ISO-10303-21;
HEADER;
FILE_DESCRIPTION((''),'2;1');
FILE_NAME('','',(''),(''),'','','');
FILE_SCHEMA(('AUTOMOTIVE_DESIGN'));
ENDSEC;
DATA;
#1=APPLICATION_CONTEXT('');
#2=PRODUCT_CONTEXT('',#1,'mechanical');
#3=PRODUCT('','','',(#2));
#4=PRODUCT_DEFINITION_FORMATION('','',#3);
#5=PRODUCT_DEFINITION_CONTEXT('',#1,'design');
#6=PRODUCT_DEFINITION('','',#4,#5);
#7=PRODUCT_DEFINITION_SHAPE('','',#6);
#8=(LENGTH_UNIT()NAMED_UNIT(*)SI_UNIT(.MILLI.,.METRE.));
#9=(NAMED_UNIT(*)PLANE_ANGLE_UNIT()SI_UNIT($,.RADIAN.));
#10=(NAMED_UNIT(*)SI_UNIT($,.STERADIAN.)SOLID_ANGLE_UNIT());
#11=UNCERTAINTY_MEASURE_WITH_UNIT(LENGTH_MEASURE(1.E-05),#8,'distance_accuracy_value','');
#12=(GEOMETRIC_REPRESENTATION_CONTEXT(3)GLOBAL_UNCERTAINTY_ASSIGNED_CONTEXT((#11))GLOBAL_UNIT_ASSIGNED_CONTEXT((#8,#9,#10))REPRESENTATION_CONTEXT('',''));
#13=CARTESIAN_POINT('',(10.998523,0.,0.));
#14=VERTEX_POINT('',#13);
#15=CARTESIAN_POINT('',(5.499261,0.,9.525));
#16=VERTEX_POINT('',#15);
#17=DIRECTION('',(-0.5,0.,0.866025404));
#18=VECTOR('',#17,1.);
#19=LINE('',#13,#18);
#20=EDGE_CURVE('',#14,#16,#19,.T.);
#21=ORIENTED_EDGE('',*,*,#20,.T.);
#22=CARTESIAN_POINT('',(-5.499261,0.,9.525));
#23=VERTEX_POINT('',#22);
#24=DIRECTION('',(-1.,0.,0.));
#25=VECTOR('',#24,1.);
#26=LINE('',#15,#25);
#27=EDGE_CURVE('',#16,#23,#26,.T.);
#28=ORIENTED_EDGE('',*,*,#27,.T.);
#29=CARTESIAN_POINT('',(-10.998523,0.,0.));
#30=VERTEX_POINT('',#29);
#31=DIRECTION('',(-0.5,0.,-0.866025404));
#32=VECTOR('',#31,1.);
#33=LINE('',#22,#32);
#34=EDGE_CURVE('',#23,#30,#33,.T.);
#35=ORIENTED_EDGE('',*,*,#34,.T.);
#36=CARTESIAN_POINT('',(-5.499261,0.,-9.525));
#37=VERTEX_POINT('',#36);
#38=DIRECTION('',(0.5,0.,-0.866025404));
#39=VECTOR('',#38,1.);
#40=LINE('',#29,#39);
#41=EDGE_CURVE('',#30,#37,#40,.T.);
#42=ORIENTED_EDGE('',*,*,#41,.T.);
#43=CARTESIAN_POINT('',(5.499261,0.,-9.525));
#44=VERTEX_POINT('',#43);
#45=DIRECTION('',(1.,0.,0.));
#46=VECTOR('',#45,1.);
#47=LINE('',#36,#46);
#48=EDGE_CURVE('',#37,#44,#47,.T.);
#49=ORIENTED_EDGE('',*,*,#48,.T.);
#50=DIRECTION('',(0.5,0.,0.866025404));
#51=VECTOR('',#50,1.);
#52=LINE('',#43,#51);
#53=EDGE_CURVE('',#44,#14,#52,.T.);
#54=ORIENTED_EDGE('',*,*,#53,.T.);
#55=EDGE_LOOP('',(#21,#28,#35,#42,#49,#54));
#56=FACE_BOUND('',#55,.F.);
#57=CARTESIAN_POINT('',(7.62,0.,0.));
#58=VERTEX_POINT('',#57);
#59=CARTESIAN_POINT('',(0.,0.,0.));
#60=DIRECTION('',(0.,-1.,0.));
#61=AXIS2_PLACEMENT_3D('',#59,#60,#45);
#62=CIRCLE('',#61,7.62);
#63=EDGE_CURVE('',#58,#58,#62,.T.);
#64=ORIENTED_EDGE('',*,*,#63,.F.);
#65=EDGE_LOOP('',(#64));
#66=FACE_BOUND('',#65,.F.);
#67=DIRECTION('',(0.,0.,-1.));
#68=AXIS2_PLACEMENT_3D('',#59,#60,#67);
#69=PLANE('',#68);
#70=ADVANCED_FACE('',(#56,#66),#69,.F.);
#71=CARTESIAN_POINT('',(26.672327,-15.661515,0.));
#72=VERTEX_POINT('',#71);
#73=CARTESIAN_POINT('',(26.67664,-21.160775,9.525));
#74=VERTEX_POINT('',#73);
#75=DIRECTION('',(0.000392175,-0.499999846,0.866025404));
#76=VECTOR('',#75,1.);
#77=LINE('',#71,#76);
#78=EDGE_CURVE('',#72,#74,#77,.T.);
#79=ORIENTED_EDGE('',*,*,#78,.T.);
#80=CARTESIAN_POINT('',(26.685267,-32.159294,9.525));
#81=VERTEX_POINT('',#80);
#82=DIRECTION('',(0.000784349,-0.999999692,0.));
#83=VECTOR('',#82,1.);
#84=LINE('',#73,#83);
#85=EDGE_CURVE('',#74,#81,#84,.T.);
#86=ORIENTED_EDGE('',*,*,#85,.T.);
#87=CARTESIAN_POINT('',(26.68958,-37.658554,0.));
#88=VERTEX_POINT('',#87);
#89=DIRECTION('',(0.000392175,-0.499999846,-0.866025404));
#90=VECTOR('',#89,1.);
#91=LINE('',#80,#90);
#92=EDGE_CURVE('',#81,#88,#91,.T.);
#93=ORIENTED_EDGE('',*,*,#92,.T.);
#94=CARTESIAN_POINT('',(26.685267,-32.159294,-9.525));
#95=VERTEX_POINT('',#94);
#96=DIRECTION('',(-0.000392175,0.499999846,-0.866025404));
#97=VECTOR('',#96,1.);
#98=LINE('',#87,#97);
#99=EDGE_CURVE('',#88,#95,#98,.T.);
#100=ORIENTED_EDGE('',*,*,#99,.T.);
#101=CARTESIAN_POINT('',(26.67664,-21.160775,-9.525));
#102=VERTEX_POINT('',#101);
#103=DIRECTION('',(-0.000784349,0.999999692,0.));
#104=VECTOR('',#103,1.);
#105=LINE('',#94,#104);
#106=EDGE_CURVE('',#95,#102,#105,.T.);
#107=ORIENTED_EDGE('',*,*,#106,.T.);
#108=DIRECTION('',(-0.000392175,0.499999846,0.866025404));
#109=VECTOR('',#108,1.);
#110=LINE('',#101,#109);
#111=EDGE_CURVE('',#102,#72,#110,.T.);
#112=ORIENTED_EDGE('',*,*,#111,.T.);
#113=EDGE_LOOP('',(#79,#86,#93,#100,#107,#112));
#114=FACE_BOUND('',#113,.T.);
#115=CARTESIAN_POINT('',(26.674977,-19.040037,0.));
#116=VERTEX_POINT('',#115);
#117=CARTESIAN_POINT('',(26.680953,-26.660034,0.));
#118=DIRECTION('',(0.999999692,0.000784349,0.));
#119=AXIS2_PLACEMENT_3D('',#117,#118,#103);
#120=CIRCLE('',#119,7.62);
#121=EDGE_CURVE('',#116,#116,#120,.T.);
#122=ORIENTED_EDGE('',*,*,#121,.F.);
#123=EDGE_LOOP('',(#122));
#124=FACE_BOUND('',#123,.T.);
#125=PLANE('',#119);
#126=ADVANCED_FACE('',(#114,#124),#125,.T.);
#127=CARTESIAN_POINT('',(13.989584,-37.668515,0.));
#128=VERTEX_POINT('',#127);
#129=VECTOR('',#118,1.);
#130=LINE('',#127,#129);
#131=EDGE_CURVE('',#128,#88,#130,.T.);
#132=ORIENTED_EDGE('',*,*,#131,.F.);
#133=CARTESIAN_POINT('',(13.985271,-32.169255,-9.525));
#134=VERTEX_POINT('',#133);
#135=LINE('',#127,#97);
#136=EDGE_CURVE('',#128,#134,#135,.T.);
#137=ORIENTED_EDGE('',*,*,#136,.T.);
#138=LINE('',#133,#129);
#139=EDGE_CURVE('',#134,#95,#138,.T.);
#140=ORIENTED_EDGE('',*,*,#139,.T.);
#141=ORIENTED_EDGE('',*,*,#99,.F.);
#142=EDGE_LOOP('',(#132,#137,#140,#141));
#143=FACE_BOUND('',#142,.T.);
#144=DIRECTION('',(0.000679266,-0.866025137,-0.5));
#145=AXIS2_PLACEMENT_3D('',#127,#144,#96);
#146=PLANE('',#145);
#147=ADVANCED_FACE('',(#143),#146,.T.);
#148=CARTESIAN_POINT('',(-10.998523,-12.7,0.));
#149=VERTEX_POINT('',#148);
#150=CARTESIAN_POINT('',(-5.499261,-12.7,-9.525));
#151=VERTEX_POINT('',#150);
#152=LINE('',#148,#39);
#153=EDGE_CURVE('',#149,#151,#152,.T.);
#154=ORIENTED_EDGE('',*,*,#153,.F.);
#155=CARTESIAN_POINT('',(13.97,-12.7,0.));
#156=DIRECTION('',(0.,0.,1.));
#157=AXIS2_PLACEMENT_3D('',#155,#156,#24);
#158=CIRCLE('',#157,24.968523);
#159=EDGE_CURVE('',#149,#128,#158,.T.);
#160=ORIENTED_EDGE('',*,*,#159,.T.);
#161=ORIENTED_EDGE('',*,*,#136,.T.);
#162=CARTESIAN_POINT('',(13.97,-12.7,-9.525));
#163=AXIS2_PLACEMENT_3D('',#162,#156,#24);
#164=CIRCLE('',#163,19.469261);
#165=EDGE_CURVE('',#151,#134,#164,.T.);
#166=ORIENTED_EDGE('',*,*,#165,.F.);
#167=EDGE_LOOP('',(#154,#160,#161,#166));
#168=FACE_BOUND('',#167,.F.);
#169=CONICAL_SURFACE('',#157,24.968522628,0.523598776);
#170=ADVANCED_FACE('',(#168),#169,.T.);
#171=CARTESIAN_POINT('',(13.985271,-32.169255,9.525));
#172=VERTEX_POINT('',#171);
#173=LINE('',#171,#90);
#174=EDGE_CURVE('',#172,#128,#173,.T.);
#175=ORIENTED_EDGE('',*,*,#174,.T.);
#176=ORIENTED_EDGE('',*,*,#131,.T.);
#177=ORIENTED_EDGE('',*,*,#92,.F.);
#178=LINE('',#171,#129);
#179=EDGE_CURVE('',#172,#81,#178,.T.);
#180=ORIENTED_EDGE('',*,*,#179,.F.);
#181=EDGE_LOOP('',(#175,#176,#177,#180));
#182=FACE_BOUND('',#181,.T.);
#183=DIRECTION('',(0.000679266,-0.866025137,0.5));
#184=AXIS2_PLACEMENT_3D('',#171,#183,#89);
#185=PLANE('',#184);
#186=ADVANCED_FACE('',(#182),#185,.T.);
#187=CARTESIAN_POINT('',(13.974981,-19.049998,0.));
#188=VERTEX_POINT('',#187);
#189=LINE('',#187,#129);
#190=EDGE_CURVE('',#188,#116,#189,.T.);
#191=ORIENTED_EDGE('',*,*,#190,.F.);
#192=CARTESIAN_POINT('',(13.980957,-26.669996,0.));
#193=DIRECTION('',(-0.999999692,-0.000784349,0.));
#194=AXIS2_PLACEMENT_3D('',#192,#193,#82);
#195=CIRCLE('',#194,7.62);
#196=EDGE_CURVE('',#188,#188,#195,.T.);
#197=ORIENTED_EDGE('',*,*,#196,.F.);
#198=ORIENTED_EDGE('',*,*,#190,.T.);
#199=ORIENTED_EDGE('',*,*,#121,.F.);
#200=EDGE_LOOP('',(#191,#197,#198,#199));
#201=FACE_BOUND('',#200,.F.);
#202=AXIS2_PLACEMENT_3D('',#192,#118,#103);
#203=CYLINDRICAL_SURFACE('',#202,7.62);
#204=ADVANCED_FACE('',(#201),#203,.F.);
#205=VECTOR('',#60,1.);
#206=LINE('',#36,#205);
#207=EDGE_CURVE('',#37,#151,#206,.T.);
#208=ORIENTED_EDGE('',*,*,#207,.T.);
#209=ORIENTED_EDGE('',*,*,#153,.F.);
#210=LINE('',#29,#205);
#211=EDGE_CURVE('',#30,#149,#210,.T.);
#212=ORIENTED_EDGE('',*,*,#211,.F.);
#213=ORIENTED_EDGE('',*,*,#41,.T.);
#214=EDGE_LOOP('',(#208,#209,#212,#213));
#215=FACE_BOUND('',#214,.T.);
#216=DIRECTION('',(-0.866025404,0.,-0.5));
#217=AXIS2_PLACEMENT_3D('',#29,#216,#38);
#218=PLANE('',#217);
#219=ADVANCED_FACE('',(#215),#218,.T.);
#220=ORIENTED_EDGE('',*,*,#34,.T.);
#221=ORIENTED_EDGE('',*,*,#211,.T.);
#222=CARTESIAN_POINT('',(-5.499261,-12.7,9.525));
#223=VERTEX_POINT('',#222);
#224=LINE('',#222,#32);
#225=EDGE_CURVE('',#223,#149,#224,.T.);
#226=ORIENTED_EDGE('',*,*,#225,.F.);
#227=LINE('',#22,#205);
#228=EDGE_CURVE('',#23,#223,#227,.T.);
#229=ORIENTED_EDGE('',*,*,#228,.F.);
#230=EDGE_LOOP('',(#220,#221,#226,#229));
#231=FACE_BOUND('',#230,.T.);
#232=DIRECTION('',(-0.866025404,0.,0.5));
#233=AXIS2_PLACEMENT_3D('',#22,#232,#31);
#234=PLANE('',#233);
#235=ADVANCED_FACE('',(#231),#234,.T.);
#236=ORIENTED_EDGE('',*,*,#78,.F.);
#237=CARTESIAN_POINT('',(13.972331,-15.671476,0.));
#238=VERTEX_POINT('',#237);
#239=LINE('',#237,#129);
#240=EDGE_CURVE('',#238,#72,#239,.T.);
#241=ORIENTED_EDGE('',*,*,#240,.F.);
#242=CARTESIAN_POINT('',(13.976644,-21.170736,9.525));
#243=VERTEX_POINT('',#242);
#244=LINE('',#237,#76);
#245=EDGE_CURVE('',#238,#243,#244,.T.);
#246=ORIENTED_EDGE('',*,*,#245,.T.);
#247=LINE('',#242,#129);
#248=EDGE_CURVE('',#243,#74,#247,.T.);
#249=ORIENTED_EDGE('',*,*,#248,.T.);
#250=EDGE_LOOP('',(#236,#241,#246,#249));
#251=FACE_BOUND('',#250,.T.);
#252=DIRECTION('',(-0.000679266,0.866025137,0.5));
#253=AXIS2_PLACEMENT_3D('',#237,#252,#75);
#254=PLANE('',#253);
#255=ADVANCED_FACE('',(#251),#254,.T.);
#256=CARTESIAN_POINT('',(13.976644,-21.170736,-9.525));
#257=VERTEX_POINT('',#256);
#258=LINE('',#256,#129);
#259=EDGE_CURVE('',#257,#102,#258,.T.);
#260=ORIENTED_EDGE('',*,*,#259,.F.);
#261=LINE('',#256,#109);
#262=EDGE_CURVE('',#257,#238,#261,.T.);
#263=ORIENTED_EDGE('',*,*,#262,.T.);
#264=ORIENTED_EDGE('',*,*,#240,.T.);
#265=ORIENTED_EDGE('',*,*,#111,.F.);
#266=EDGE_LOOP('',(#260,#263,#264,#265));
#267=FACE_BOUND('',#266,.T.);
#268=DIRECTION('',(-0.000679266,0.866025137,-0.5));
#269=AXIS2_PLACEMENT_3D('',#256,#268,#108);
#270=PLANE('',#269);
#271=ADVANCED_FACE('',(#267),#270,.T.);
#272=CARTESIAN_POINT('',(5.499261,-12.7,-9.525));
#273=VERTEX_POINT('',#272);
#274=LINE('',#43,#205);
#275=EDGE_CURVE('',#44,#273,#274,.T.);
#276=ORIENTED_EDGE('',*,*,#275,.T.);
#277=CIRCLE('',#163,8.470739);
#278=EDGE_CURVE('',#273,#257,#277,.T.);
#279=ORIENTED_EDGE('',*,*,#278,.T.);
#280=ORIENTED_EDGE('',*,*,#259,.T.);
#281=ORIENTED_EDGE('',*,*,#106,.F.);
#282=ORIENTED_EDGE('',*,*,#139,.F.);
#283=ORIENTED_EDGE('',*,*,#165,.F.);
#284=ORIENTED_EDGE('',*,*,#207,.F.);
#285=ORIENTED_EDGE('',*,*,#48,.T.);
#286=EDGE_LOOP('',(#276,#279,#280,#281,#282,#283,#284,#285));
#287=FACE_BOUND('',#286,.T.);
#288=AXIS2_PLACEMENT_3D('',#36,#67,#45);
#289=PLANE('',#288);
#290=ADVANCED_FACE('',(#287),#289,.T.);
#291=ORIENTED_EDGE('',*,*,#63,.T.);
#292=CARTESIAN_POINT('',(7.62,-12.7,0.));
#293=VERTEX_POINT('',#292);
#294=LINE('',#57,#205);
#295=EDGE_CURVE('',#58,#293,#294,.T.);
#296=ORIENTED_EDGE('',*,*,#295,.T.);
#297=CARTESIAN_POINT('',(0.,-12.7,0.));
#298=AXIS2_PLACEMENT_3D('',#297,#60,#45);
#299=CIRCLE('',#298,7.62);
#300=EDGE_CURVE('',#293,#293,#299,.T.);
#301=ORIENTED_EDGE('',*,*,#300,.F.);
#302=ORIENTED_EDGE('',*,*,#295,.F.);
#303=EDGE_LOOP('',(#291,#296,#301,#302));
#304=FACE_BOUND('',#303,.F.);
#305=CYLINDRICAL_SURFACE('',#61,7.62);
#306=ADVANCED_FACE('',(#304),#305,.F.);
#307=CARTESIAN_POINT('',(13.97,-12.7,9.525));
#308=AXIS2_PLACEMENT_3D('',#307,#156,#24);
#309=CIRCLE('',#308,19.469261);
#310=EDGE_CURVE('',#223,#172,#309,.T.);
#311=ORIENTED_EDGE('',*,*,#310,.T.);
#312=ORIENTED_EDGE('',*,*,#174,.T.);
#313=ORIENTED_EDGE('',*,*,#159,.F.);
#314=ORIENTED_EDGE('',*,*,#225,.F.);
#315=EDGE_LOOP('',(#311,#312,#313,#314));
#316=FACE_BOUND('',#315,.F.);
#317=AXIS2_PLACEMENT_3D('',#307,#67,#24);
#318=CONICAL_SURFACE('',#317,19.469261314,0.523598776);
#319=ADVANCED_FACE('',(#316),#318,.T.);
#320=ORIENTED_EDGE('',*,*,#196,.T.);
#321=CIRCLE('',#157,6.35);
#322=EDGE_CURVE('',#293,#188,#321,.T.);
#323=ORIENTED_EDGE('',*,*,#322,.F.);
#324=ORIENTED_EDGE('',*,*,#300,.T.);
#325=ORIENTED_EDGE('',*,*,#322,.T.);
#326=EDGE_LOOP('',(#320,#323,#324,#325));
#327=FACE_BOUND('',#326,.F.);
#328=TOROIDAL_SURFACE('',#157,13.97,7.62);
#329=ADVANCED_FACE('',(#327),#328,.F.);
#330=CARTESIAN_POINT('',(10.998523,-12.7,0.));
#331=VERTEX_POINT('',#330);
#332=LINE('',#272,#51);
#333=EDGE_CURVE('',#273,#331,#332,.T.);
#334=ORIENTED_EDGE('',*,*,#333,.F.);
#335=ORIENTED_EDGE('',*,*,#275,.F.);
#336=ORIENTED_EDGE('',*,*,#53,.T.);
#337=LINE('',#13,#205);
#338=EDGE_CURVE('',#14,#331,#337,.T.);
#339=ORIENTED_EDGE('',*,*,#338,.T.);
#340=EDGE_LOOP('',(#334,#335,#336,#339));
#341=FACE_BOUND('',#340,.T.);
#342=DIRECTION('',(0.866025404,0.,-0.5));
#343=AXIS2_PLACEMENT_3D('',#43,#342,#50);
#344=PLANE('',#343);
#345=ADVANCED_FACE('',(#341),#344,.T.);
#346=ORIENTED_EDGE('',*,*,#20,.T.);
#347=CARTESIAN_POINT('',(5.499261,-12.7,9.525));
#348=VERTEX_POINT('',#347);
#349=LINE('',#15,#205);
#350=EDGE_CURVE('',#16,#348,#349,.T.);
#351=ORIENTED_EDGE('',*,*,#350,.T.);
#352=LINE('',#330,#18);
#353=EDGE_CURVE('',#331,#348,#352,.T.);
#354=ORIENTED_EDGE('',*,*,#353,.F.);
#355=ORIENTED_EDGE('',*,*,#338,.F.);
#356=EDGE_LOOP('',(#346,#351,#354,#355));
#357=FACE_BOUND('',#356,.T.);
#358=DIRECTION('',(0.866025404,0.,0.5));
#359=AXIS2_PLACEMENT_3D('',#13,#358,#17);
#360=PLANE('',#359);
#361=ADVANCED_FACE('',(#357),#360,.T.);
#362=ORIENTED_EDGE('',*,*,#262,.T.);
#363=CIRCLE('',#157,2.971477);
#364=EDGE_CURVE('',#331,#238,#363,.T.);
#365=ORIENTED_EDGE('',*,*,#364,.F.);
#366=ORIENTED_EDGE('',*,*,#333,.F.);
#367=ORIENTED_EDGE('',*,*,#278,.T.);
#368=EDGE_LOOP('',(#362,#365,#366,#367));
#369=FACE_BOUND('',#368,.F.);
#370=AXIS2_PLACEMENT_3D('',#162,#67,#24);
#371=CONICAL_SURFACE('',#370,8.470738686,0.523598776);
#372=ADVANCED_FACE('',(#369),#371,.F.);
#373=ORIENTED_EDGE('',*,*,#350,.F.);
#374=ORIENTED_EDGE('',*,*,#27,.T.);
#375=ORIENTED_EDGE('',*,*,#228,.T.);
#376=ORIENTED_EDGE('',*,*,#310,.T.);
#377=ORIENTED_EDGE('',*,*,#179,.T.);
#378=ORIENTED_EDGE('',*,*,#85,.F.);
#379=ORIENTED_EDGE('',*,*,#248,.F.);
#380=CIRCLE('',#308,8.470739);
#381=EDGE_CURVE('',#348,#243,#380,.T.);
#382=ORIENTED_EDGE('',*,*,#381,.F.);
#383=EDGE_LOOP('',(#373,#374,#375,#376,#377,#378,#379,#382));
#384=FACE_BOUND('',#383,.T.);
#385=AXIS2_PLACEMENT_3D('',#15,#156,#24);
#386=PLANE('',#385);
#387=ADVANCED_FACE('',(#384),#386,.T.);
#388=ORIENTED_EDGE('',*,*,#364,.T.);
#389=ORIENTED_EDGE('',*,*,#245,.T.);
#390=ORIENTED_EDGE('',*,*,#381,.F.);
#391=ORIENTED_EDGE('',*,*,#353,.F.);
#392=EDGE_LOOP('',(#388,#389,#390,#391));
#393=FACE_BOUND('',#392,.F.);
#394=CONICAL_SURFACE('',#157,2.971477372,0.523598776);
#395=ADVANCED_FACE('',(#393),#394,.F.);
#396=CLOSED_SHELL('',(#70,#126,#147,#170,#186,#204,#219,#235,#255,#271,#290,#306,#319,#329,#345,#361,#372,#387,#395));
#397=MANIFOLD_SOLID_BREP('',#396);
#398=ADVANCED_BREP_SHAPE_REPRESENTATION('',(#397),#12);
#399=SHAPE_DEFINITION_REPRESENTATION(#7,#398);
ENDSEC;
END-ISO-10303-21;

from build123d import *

# Parameters (mm, degrees)
F0_R = 7.62


with BuildPart() as f2:
    # F2: sweep along a path in F1
    with BuildLine(Plane.XY) as f2_path:
        Line((0, 0), (0, -12.7))
        ThreePointArc((0, -12.7), (4.0955930383, -22.5821549853), (13.9809573592, -26.6699957028))
        Line((13.9809573592, -26.6699957028), (26.6809534527, -26.6600344671))
    # F0 (on Front) → F2 (sweep)
    with BuildSketch(Plane.XZ):
        Polygon((5.499261314, 9.525), (-5.499261314, 9.525), (-10.9985226281, 0), (-5.499261314, -9.525), (5.499261314, -9.525), (10.9985226281, 0), align=None)
        Circle(F0_R, mode=Mode.SUBTRACT)
    sweep(path=f2_path.line)


solid = f2.part
